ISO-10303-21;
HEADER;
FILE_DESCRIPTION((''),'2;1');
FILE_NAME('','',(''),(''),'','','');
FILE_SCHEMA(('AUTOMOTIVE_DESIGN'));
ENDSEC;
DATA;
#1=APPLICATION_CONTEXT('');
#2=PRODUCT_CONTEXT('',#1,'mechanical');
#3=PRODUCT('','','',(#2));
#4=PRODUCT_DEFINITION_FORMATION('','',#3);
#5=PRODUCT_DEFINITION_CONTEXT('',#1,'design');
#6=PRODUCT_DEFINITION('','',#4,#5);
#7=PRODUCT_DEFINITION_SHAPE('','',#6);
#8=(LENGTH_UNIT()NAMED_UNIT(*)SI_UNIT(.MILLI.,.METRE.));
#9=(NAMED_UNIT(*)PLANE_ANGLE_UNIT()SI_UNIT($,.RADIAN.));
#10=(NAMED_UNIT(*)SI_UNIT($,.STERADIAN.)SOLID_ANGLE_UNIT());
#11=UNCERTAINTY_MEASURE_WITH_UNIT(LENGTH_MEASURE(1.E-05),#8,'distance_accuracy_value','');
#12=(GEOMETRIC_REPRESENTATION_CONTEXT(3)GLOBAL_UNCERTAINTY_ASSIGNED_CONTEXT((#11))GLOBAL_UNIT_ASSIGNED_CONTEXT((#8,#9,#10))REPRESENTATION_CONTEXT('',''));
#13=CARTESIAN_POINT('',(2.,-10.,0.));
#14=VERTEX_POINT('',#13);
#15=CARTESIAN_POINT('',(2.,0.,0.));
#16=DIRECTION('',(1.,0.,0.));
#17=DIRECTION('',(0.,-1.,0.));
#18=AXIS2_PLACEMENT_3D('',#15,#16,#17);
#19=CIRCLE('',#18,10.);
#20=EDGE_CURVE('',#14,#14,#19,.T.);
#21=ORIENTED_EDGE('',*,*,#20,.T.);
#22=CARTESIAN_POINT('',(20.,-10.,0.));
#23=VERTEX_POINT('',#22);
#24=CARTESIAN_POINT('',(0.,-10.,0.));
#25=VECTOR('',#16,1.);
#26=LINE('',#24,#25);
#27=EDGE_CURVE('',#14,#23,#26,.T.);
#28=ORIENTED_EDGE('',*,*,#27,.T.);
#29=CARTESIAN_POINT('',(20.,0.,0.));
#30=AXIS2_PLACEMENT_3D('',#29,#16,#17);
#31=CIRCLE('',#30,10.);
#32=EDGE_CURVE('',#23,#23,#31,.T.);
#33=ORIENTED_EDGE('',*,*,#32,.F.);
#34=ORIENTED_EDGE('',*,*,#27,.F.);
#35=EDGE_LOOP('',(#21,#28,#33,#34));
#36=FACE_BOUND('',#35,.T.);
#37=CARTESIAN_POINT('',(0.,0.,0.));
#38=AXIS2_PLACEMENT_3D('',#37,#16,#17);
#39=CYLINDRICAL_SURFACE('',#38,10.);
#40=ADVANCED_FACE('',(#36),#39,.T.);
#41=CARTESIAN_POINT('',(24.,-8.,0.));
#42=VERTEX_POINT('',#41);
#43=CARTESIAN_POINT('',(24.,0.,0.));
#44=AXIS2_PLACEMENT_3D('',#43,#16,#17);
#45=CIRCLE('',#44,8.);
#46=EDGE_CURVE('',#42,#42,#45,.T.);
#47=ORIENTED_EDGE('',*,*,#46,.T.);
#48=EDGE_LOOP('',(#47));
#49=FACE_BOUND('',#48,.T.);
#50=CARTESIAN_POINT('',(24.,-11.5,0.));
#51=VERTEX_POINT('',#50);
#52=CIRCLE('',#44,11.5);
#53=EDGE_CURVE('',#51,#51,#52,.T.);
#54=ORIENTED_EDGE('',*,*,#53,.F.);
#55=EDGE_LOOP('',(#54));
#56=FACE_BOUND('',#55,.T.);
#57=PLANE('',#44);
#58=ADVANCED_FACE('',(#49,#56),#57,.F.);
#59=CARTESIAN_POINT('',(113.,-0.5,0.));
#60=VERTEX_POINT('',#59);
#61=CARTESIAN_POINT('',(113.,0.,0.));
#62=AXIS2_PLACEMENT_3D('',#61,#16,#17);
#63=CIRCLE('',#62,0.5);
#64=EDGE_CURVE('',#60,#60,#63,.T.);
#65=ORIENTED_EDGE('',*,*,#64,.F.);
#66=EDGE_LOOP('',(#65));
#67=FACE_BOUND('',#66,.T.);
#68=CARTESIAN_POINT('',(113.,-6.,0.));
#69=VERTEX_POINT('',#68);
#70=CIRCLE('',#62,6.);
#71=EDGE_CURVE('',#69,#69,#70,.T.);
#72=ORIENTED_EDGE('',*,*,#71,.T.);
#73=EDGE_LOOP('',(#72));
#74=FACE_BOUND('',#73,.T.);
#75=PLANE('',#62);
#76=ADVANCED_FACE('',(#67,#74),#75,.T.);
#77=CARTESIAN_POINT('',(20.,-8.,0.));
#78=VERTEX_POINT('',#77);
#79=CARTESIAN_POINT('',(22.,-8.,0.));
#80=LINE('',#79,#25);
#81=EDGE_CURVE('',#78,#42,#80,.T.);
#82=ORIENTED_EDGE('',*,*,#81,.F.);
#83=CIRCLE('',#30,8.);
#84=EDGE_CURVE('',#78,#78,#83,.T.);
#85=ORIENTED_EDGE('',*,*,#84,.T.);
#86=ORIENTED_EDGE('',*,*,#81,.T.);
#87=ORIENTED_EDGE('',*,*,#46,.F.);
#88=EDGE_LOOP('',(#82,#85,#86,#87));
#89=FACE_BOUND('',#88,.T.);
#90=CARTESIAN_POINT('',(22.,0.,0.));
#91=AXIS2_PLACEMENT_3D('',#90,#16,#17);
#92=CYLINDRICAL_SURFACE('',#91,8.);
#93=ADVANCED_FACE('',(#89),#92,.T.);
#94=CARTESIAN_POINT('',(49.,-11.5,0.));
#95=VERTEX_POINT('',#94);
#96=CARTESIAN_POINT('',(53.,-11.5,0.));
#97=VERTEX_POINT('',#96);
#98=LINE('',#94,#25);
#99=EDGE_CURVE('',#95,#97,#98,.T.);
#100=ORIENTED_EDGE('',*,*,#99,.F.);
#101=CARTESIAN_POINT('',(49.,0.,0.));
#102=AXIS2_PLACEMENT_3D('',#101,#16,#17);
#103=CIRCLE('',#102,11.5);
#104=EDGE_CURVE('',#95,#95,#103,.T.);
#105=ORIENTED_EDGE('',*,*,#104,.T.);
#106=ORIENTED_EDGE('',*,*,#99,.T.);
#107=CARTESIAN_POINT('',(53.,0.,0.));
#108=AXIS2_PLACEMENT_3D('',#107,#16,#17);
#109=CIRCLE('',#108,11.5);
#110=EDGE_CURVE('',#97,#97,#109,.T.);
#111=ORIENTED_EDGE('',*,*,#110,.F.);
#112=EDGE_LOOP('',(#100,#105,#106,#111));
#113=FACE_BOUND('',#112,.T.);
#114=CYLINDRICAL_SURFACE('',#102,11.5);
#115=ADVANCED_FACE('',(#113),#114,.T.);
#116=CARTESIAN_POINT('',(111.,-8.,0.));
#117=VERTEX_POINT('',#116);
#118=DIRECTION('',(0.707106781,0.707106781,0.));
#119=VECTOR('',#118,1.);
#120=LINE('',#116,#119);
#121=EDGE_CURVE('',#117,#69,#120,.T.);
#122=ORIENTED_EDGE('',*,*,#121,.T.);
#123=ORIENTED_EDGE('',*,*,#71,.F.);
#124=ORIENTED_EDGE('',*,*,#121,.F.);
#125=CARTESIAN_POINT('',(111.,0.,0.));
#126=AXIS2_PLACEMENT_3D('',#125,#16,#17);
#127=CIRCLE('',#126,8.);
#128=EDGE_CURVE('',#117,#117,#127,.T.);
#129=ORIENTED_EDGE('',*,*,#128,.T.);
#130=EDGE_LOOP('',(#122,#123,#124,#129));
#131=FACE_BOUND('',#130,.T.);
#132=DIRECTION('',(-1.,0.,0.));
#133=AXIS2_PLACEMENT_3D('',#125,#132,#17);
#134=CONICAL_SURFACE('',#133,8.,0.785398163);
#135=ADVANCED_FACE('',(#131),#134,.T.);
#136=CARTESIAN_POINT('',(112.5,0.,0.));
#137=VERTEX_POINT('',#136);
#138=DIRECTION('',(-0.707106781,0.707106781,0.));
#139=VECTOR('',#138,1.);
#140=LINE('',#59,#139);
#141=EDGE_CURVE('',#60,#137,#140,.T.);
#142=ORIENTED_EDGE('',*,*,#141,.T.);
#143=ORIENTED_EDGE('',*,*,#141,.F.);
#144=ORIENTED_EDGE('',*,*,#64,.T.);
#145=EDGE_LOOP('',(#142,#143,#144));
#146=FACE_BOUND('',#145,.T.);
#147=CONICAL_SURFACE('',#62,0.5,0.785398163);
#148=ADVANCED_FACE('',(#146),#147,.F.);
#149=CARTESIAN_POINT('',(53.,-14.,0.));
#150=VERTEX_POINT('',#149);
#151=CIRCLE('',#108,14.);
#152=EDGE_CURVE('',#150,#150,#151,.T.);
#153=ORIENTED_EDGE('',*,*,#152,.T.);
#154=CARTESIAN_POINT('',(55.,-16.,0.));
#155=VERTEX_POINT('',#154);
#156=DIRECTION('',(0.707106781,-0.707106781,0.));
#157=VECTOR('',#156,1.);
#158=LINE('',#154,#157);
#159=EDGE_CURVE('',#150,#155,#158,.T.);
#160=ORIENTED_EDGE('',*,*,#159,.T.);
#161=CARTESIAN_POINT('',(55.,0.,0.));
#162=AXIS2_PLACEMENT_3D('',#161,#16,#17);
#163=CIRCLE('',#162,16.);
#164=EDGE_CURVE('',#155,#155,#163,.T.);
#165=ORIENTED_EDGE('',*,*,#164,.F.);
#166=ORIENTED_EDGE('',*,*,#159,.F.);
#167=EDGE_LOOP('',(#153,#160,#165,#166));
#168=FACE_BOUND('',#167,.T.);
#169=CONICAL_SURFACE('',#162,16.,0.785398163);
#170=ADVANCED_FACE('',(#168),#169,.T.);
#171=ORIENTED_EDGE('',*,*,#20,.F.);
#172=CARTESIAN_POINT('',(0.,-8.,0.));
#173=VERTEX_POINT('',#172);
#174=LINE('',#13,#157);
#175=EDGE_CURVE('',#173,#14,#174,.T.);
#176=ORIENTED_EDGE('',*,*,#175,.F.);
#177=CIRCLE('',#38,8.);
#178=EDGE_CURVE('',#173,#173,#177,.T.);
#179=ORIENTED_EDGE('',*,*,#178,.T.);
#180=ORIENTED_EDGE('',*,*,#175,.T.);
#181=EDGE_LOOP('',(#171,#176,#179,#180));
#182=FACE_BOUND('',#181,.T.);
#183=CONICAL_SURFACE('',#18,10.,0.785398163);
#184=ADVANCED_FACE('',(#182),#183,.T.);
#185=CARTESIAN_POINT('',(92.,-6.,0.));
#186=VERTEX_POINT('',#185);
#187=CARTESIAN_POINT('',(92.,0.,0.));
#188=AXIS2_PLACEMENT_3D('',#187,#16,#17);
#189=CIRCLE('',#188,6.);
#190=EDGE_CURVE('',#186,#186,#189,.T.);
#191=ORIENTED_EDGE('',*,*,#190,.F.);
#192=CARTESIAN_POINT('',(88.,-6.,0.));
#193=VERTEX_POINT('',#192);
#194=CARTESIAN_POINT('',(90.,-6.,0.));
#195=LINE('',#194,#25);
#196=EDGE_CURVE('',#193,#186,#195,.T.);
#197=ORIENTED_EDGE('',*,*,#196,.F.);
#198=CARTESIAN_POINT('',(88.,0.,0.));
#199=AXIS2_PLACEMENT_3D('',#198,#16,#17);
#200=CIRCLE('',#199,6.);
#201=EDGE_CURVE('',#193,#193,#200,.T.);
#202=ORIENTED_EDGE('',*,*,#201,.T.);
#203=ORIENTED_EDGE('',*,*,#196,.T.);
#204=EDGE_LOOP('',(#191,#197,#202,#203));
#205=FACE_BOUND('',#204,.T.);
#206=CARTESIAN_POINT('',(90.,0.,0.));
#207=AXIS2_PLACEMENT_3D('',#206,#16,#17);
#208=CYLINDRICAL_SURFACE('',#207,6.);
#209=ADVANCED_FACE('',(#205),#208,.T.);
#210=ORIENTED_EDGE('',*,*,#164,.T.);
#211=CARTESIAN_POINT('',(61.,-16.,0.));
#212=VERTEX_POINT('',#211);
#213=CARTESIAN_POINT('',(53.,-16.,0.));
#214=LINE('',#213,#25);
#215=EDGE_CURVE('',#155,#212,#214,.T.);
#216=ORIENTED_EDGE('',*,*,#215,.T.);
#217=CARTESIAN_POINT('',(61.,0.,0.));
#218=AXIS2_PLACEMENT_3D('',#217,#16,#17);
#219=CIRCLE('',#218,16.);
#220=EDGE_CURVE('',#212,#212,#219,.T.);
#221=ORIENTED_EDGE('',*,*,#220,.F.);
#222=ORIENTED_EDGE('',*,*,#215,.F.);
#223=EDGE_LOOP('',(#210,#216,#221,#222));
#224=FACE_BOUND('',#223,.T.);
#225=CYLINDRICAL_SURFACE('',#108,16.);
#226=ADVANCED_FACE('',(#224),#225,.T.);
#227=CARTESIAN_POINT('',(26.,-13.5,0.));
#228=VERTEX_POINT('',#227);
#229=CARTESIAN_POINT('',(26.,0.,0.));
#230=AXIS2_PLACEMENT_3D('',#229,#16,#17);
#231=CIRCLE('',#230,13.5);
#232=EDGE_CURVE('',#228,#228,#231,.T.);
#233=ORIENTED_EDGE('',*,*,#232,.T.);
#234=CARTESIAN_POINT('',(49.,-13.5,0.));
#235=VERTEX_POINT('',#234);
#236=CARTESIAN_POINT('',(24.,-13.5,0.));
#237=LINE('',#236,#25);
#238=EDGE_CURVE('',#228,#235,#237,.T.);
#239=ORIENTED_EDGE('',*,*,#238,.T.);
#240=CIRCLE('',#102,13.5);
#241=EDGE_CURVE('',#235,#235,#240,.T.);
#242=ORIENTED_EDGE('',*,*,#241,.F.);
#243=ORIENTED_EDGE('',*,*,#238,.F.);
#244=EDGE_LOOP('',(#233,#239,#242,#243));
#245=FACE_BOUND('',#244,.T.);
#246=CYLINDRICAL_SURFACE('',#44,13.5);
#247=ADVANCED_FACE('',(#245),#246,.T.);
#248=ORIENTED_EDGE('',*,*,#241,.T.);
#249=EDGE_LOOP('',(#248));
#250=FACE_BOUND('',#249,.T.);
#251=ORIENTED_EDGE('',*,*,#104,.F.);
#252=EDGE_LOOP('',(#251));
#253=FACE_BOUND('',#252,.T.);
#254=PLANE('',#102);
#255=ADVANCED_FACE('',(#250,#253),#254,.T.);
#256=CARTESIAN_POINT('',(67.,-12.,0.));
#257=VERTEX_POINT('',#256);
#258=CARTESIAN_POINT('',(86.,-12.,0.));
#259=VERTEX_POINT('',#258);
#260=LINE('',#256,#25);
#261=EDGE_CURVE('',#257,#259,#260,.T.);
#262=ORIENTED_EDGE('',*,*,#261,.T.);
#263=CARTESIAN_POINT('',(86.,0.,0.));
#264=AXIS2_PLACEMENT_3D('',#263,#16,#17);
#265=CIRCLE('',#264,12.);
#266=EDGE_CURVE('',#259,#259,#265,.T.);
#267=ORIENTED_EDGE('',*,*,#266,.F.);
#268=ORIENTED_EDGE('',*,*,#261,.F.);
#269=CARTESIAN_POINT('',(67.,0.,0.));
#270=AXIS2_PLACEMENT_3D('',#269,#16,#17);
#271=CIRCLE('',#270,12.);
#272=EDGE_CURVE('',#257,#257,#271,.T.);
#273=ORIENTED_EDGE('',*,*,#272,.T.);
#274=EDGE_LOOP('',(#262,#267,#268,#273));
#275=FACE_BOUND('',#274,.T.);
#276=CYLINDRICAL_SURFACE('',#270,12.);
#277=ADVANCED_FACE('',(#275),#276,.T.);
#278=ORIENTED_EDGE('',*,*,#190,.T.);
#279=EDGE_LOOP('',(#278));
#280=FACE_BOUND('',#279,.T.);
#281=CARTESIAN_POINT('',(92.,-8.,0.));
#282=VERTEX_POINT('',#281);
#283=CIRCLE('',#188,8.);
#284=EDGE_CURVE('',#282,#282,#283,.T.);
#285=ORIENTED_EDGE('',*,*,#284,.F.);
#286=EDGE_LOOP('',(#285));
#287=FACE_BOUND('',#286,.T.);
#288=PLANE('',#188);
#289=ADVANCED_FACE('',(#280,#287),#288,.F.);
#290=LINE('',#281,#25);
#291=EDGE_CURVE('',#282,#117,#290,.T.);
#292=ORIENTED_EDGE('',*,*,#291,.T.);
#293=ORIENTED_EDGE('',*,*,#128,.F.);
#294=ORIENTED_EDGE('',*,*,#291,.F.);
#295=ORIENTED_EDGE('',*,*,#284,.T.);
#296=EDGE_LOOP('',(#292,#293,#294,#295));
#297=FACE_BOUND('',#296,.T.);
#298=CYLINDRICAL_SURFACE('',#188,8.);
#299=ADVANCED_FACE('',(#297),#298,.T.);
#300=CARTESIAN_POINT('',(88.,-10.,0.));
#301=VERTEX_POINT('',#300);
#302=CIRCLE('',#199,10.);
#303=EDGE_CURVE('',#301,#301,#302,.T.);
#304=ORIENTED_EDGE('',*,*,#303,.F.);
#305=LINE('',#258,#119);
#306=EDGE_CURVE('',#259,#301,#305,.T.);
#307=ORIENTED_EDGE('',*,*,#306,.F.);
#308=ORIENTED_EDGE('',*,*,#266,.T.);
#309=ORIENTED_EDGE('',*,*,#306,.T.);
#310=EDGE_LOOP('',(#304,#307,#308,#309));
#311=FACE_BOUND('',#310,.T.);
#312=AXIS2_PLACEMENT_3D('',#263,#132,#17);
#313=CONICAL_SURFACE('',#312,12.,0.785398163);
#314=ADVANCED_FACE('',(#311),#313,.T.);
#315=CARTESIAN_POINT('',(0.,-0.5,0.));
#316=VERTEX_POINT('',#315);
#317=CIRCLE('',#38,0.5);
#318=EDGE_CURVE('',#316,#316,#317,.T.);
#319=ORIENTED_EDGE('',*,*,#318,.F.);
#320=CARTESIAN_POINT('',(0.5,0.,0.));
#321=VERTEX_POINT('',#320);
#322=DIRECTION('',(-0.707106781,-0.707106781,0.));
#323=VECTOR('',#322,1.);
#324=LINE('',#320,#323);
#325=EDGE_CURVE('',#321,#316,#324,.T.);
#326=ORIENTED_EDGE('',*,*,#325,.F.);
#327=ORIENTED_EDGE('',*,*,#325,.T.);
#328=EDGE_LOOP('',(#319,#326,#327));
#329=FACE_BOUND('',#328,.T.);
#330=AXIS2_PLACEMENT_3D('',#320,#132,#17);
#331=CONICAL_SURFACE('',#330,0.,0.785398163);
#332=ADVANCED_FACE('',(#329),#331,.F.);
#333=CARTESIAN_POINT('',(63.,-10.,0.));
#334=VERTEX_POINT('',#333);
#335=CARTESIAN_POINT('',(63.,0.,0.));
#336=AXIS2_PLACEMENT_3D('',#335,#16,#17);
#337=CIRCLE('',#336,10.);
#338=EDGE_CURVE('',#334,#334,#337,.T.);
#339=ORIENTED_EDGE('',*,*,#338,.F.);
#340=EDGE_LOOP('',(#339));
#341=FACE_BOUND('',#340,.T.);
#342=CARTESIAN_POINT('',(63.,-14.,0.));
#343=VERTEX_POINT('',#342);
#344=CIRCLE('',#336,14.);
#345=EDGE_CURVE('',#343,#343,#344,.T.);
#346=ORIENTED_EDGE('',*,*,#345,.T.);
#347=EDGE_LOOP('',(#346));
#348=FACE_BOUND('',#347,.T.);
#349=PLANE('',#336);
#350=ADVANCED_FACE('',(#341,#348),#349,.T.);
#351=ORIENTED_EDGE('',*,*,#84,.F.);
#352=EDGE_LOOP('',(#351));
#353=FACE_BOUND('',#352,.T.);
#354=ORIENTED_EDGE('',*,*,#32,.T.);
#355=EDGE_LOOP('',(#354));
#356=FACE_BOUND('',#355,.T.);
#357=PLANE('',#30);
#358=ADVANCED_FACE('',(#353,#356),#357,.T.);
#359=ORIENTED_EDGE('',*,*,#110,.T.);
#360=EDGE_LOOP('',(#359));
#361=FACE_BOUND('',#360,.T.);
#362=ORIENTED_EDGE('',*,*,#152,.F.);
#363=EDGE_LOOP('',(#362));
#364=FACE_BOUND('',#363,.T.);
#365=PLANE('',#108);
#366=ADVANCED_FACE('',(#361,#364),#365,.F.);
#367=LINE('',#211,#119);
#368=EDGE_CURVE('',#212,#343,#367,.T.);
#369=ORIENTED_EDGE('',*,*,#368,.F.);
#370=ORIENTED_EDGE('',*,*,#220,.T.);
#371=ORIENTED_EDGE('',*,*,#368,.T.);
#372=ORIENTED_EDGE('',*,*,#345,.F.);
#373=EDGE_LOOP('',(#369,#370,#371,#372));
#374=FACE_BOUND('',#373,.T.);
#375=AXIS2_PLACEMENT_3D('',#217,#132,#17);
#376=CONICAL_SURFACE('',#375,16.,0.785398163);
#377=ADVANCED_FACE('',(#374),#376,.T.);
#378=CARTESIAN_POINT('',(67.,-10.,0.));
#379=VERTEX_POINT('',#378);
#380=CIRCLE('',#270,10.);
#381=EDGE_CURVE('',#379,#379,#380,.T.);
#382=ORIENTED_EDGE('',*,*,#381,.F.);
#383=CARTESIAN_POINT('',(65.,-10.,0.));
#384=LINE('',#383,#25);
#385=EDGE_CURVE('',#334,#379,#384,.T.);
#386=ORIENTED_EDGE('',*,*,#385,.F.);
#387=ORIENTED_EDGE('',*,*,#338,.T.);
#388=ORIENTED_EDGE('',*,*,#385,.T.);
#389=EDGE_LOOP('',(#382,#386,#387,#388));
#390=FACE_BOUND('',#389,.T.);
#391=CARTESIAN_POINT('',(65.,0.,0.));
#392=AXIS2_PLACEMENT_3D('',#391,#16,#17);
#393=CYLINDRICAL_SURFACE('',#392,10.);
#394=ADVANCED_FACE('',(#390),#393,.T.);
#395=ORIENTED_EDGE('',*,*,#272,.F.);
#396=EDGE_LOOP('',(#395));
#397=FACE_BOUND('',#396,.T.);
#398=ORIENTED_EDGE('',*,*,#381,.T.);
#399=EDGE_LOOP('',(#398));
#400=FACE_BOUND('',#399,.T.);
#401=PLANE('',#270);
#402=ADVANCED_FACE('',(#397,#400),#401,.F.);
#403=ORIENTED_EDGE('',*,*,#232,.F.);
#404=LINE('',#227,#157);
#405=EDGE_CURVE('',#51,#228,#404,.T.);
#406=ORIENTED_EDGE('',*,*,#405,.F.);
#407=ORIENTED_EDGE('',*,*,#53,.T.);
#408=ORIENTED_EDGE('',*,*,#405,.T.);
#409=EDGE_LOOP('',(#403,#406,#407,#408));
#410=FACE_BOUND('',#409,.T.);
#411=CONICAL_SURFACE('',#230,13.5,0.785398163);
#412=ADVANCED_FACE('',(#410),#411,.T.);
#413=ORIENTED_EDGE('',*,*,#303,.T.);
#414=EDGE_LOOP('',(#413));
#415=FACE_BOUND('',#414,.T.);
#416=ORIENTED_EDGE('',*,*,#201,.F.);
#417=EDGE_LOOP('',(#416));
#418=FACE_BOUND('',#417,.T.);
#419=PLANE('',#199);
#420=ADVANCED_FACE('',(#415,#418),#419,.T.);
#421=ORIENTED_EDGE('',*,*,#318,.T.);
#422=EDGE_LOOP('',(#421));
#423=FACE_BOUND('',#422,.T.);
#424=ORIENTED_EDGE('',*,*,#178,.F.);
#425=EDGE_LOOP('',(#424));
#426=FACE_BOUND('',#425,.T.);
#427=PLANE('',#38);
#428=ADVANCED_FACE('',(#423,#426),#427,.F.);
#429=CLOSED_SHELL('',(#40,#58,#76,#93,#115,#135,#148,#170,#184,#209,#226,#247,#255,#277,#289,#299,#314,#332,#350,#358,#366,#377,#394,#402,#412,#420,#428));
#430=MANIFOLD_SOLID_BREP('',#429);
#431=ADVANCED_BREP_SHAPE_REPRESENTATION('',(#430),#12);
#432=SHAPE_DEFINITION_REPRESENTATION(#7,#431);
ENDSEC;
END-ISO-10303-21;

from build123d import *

# Parameters (mm, degrees)
F0_W    = 4
F0_H    = 8
F0_H_2  = 10
F0_H_3  = 6
F2_SIZE = 2


with BuildPart() as f1:
    # F0 (on Top) → F1 (revolve)
    with BuildSketch(Plane.XY):
        Polygon((49, 0), (24, 0), (24, -8), (24, -13.5), (49, -13.5), (49, -11.5), (53, -11.5), (53, 0), align=None)
        Polygon((63, 0), (53, 0), (53, -11.5), (53, -13.5), (53, -16), (63, -16), (63, -10), align=None)
        with Locations((22, -4)):
            Rectangle(F0_W, F0_H)
        with Locations((65, -5)):
            Rectangle(F0_W, F0_H_2)
        Polygon((88, 0), (67, 0), (67, -10), (67, -12), (88, -12), (88, -6), align=None)
        with Locations((90, -3)):
            Rectangle(F0_W, F0_H_3)
        Polygon((20, 0), (0.5, 0), (0, -0.5), (0, -10), (20, -10), (20, -8), align=None)
        Polygon((112.5, 0), (92, 0), (92, -6), (92, -8), (113, -8), (113, -0.5), align=None)
    revolve(axis=Axis((10, 0, 0), (1, 0, 0)))

    # F2
    f2_edges = [f1.edges().sort_by_distance(p)[0] for p in [
        (0, 10, 0),
        (24, 13.5, 0),
        (53, 16, 0),
        (63, 16, 0),
        (88, 12, 0),
        (113, 8, 0),
    ]]
    chamfer(f2_edges, length=F2_SIZE)


solid = f1.part
